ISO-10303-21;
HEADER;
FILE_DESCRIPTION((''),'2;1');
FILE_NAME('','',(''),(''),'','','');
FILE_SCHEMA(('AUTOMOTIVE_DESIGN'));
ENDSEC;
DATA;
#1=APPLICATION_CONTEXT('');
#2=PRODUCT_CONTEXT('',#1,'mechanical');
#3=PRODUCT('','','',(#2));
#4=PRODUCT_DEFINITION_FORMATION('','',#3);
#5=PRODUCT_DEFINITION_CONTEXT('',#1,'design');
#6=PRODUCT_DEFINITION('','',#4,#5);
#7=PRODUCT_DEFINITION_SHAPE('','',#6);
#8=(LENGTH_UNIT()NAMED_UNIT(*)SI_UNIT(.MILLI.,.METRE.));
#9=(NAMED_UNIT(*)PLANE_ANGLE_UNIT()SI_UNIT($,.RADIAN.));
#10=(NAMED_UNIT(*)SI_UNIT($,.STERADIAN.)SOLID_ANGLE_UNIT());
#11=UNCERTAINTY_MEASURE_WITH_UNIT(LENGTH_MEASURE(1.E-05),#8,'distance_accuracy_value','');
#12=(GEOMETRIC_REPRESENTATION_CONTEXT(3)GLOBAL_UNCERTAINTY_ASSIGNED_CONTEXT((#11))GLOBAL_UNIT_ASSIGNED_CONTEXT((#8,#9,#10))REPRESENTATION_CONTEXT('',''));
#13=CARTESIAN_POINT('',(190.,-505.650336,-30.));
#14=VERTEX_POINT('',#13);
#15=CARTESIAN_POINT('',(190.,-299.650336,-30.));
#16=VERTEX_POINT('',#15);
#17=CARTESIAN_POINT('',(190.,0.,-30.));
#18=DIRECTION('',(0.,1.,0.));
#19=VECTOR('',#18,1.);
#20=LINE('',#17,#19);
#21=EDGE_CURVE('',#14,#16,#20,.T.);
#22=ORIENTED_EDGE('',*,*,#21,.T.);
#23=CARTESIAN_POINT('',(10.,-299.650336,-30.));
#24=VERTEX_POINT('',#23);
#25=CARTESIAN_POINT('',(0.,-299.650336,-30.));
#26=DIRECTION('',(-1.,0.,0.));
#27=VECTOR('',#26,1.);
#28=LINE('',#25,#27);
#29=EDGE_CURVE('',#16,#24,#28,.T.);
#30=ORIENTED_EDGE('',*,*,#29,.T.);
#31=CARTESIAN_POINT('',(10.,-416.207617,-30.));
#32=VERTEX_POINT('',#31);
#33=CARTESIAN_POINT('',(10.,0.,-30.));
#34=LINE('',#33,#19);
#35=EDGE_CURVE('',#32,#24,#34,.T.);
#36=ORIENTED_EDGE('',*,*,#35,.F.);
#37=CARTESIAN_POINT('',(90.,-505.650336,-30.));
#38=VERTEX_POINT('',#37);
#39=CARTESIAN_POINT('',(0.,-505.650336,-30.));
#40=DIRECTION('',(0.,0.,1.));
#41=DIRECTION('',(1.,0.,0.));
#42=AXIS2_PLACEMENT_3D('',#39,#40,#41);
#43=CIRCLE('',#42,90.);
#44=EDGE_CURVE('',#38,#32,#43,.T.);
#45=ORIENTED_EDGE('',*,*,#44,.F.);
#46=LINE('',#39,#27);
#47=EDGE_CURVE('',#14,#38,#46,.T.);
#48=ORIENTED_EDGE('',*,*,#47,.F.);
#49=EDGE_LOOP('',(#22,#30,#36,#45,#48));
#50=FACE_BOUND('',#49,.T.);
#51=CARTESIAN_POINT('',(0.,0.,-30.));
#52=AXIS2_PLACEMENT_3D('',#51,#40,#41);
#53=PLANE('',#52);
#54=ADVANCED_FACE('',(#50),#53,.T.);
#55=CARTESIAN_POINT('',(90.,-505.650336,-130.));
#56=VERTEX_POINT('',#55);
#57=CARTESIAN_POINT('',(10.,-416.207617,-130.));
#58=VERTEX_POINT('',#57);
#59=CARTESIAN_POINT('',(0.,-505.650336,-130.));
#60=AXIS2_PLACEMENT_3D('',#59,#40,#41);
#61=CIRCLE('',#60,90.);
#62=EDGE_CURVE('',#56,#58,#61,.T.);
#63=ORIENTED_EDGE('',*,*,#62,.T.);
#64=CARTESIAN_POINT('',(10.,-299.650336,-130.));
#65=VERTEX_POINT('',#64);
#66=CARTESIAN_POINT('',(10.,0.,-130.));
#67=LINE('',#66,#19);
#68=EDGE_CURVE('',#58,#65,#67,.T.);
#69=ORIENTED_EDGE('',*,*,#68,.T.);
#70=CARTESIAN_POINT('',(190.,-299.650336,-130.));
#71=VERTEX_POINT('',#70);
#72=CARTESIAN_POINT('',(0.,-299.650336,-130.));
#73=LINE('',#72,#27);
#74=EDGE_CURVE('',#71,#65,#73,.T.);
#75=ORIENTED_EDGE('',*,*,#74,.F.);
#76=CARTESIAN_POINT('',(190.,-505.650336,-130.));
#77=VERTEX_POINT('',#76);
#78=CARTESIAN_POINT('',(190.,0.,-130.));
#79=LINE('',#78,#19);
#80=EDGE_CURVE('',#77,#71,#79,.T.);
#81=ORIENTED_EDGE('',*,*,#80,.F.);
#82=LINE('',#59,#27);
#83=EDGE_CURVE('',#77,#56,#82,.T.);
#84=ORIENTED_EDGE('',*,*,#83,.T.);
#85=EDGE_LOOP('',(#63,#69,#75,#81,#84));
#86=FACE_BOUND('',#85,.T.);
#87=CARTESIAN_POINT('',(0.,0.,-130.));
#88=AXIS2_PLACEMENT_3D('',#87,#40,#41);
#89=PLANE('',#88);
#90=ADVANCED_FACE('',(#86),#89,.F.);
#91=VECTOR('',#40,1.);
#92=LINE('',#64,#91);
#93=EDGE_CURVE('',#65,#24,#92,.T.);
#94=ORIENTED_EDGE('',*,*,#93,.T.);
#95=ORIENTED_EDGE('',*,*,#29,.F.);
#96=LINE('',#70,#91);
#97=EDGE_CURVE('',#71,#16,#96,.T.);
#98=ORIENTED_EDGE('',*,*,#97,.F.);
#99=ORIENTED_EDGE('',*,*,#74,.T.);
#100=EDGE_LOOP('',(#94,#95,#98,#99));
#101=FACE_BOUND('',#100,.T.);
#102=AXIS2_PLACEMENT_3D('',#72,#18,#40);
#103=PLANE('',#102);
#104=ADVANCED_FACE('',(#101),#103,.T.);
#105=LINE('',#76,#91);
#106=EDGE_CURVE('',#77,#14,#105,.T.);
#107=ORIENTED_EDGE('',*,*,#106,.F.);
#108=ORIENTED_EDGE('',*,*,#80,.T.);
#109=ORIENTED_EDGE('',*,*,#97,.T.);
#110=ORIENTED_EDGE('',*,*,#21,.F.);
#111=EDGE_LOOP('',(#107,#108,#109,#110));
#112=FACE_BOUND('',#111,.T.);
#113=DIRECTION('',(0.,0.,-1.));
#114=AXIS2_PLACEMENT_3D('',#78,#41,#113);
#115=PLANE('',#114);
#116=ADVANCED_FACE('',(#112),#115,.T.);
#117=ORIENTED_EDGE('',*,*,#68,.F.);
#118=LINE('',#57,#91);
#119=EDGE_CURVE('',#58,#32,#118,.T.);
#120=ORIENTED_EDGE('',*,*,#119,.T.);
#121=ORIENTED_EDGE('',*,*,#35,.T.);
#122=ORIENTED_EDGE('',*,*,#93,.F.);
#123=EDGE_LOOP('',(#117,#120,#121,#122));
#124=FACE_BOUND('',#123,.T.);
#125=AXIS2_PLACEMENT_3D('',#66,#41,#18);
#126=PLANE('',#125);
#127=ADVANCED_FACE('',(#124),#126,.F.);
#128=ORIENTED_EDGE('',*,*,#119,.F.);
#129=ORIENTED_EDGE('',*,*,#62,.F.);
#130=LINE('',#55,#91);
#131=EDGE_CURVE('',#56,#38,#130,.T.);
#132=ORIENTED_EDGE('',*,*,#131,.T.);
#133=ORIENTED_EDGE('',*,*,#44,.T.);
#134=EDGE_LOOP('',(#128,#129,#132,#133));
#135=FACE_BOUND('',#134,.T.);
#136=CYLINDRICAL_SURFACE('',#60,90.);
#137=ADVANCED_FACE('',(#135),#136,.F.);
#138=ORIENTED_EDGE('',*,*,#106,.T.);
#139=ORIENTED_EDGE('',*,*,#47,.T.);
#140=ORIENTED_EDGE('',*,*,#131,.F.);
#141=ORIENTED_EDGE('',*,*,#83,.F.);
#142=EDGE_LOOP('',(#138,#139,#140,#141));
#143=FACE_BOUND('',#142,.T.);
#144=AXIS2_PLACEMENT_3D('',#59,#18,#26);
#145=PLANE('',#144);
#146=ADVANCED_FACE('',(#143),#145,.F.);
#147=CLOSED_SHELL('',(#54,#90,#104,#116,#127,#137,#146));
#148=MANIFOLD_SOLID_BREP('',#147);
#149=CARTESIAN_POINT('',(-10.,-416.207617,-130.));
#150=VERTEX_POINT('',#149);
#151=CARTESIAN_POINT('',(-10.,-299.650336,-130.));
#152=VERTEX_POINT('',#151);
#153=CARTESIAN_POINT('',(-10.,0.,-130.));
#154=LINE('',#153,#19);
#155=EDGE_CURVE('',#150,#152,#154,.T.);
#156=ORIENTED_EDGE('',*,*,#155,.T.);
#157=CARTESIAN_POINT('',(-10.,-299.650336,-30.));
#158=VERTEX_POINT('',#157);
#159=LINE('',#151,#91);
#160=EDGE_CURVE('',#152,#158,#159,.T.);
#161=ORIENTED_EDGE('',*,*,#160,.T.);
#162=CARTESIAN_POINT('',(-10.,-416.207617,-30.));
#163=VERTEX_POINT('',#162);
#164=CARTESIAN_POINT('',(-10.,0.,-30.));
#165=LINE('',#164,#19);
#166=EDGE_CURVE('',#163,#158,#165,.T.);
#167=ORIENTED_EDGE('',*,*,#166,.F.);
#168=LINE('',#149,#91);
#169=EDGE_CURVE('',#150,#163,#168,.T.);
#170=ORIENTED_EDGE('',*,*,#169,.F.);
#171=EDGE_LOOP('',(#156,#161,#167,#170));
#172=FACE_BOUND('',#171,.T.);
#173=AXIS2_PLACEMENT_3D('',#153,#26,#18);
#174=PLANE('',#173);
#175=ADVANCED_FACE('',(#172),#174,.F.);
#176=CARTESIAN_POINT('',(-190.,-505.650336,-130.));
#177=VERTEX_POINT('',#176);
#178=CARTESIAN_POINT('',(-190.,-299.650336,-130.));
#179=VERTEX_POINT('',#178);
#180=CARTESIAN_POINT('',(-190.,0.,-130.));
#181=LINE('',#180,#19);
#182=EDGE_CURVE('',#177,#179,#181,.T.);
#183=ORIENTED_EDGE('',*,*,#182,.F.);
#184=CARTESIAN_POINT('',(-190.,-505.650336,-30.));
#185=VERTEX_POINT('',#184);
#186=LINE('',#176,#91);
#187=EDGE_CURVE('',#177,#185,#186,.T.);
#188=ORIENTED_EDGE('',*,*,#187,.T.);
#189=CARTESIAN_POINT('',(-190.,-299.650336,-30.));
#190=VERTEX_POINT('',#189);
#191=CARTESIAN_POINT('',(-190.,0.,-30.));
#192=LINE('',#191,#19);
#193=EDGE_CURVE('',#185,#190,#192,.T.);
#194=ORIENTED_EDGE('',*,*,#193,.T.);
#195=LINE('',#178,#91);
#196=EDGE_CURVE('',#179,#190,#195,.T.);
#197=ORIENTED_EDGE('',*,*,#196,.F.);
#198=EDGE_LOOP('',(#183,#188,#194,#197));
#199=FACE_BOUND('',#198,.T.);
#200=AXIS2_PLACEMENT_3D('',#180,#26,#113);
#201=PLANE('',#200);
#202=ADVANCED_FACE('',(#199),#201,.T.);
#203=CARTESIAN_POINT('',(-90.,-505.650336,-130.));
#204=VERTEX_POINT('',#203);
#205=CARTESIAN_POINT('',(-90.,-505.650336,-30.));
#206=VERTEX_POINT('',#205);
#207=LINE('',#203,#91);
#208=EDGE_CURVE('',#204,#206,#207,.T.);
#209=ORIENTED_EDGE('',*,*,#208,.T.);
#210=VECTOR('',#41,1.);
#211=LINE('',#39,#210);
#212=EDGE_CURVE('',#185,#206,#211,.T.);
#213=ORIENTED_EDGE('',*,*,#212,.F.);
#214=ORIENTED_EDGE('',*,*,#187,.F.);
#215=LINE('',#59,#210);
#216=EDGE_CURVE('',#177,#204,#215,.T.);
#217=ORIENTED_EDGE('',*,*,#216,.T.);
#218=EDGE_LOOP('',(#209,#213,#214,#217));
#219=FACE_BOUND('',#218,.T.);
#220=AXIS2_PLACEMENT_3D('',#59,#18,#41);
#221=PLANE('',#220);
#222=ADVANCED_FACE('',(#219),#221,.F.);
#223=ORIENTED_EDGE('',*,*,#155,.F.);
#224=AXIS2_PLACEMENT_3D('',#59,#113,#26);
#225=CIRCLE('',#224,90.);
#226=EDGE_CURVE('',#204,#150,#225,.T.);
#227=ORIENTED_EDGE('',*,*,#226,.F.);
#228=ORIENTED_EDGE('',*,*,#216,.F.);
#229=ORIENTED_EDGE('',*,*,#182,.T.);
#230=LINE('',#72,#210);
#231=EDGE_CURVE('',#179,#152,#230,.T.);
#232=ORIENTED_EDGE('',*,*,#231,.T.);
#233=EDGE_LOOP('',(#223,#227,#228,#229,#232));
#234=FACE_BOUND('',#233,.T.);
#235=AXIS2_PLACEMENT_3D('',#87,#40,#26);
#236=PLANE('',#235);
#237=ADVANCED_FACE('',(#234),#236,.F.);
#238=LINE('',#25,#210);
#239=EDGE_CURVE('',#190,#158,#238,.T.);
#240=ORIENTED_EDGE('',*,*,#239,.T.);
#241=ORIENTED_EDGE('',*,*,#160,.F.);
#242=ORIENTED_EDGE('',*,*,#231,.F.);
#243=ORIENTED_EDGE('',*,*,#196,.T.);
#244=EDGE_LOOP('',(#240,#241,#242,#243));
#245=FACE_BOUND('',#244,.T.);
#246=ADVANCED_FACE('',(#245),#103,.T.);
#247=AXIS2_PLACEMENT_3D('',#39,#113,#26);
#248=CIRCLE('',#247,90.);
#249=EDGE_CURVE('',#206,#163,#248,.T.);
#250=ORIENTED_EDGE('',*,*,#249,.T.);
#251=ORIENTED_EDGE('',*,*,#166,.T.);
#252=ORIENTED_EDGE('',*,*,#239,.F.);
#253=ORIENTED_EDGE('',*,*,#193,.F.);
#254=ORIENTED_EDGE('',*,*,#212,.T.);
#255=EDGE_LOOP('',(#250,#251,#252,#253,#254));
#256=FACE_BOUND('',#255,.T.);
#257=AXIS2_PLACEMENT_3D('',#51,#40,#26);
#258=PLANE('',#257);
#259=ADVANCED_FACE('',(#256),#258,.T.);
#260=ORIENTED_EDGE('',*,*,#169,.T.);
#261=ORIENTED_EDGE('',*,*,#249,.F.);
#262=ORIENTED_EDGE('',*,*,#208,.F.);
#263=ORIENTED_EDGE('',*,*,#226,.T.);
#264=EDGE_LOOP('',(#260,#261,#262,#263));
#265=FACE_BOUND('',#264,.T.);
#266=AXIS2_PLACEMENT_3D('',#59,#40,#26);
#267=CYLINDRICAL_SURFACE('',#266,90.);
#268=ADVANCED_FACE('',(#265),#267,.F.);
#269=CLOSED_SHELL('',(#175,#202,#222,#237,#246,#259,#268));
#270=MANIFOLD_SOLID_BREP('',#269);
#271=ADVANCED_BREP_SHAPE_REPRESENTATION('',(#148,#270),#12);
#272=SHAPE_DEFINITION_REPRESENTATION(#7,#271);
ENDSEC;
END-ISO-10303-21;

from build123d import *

# Parameters (mm, degrees)
BOSS_EXTRUDE1_START = -30
BOSS_EXTRUDE1_DEPTH = 100


with BuildPart() as part:
    # Sketch2 → Boss-Extrude1 (new body)
    with BuildSketch(Plane.XY.offset(BOSS_EXTRUDE1_START)):
        with BuildLine():
            Line((90, -505.650336196), (190, -505.650336196))
            Line((190, -505.650336196), (190, -299.650336196))
            Line((190, -299.650336196), (10, -299.650336196))
            Line((10, -299.650336196), (10, -416.207617096))
            ThreePointArc((10, -416.207617096), (67.082039325, -445.650336196), (90, -505.650336196))
        make_face()
    extrude(amount=-BOSS_EXTRUDE1_DEPTH)


with BuildPart() as body_2:
    # Mirror3: mirrored copy
    add(part.part.mirror(Plane(origin=(0, 0, 0), x_dir=(0, 0, 1), z_dir=(1, 0, 0))))


solid = Compound([part.part, body_2.part])
